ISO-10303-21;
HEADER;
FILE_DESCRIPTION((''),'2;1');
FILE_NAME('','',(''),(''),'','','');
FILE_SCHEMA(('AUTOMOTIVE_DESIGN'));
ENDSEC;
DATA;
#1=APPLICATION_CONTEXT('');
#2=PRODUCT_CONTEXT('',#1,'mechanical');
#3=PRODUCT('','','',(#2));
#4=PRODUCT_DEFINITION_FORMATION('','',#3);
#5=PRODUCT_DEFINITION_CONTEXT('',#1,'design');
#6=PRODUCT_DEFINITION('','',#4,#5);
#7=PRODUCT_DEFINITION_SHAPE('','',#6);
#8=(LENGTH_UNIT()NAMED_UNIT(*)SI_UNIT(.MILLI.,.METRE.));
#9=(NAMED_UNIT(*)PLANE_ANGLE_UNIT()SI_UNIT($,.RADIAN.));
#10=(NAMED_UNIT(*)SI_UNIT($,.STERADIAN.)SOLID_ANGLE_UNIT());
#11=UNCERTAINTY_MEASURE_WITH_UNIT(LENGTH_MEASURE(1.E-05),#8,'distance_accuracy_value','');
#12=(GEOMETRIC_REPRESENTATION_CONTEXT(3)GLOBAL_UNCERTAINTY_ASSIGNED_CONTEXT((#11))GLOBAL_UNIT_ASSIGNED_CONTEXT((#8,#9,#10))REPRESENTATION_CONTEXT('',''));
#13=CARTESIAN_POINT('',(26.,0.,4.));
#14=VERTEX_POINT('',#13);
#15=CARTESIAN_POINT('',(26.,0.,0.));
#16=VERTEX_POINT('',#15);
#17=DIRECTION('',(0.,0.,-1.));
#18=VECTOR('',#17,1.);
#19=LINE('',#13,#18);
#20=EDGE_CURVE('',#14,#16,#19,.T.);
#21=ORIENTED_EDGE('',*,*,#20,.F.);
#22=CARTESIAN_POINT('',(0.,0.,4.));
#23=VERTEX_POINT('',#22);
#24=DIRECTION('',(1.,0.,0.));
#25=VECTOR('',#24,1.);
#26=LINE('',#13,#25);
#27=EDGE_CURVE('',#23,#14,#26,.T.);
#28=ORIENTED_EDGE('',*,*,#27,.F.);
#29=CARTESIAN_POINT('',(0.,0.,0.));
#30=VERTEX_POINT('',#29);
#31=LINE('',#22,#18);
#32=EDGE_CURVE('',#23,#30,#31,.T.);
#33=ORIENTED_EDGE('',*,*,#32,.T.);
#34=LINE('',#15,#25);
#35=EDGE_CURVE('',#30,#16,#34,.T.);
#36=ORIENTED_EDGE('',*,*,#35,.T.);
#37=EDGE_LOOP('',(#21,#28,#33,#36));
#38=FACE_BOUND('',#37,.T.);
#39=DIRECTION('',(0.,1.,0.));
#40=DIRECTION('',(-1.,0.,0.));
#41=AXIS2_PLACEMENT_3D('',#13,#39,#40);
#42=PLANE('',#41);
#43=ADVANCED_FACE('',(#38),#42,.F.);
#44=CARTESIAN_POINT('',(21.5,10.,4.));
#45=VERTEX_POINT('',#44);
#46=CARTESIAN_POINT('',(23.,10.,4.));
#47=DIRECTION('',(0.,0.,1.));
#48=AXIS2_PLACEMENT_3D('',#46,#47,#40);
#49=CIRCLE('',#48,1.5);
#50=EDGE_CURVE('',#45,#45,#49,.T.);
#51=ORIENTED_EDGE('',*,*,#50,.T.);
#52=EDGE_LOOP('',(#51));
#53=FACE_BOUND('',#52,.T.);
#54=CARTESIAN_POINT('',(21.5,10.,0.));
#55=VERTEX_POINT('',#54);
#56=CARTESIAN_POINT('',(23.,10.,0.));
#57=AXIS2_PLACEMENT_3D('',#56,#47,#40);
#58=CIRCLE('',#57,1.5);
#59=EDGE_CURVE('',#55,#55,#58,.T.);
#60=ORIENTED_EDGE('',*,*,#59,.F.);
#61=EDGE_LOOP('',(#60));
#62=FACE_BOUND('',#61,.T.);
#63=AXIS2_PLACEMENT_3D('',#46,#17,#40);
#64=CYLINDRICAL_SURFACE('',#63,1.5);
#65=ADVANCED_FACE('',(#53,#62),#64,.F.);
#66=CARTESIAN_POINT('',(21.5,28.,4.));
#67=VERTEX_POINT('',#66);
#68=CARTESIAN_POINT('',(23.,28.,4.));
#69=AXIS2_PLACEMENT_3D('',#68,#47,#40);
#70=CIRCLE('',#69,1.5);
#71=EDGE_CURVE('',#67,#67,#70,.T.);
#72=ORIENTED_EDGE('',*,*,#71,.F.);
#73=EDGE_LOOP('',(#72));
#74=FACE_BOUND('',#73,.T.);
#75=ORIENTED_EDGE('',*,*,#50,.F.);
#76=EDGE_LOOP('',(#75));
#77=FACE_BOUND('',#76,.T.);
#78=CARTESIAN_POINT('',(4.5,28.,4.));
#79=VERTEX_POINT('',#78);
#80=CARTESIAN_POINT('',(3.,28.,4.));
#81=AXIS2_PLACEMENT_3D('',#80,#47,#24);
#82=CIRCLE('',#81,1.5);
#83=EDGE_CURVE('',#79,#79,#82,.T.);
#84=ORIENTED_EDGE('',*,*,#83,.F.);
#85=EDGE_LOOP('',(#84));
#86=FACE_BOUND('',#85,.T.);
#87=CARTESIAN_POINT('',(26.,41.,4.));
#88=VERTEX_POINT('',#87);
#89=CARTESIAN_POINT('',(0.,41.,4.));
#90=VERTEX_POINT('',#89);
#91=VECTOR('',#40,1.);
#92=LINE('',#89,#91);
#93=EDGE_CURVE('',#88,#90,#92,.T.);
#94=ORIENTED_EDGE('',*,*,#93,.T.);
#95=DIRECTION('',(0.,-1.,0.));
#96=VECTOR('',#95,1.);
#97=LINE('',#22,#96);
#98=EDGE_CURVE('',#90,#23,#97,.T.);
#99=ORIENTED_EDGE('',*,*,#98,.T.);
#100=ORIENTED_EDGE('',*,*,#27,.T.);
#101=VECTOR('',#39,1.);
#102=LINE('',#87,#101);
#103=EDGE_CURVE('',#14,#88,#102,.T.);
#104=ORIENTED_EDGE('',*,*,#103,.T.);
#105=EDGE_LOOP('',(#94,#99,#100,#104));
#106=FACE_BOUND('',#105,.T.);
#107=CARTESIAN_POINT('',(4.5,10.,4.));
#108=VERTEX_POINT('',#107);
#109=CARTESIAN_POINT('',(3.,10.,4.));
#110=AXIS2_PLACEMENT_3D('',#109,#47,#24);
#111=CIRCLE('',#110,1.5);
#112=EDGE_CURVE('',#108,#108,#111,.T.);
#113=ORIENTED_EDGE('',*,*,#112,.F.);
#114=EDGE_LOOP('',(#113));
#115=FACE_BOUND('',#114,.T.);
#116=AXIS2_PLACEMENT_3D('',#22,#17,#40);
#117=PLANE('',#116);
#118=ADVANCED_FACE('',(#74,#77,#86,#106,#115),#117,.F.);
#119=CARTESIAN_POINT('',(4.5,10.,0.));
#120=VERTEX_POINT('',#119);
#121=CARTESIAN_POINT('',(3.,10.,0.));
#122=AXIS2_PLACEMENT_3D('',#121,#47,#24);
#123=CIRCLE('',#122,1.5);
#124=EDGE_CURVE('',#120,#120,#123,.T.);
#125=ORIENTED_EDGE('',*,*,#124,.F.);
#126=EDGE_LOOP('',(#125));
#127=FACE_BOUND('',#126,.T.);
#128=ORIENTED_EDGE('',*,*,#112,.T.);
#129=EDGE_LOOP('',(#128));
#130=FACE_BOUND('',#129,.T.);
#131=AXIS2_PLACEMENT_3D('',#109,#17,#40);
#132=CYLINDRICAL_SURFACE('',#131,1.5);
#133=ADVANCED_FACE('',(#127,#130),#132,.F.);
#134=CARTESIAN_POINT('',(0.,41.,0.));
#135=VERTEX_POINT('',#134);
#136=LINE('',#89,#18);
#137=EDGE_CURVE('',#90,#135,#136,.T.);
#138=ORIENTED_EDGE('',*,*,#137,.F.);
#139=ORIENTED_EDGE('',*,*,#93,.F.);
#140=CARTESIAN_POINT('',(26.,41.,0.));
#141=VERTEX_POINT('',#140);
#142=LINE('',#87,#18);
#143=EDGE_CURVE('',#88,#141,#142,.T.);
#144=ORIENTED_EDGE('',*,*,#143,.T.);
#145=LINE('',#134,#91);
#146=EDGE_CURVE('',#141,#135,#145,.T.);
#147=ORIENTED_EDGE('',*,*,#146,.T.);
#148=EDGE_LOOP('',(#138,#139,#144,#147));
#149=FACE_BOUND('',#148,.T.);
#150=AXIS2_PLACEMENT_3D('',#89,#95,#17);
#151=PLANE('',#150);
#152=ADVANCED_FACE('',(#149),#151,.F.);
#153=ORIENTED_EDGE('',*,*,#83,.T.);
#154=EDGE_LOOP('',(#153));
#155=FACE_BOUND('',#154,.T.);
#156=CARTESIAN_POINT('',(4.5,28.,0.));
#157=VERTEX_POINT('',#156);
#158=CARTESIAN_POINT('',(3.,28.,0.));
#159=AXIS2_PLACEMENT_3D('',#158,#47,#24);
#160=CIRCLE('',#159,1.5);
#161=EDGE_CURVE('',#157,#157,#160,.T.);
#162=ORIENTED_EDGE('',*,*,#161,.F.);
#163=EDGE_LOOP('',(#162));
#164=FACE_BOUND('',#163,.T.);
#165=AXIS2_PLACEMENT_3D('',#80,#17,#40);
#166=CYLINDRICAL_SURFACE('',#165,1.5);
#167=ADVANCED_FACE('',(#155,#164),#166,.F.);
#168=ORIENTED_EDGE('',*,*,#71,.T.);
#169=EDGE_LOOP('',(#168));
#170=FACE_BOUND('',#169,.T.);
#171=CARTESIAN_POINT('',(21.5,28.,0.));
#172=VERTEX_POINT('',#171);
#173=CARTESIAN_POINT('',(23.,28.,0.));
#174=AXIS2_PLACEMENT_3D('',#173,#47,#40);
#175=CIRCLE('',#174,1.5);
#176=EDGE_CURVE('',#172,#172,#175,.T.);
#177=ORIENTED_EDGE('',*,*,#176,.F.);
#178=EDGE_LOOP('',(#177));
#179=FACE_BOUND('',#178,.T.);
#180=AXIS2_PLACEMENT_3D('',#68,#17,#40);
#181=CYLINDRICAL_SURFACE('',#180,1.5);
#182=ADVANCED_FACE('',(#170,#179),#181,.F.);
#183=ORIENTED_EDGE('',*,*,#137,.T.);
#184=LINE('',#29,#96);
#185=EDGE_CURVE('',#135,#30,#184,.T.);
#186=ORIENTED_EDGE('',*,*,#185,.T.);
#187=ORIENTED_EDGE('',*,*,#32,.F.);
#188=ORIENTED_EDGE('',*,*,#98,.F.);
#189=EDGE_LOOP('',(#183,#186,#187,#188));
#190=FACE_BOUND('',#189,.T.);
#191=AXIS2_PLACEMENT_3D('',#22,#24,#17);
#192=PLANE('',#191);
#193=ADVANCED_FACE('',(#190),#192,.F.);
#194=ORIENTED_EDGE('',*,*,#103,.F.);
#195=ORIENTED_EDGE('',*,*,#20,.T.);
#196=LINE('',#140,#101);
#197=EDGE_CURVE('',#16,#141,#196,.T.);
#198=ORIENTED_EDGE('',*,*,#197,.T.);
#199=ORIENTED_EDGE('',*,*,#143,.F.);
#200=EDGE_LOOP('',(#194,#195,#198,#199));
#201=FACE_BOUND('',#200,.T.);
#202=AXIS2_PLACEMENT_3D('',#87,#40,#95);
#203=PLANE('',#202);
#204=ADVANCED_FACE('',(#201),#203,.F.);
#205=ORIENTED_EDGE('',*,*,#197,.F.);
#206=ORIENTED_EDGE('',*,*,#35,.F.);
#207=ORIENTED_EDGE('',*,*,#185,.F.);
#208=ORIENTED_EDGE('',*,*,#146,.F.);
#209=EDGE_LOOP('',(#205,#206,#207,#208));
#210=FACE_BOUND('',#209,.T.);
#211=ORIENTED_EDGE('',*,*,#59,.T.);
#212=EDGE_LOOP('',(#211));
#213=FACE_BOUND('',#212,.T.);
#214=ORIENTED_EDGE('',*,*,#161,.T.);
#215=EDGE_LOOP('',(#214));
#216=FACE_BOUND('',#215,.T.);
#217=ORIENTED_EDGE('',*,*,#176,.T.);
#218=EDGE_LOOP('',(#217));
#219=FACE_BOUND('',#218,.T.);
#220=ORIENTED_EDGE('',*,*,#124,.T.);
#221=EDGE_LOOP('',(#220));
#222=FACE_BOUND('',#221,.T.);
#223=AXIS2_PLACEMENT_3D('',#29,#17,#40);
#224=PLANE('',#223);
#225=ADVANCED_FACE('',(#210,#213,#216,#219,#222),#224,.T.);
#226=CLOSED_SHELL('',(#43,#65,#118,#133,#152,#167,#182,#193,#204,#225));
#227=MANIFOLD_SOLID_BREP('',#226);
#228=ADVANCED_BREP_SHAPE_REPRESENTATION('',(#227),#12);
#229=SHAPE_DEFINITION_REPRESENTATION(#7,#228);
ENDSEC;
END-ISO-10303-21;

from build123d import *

# Parameters (mm, degrees)
SKETCH1_W           = 26
SKETCH1_H           = 41
SKETCH1_R           = 1.5
BOSS_EXTRUDE1_DEPTH = 4


with BuildPart() as part:
    # Sketch1 → Boss-Extrude1 (new body)
    with BuildSketch(Plane.XY):
        with Locations((13, 20.5)):
            Rectangle(SKETCH1_W, SKETCH1_H)
        with Locations((3, 28)):
            Circle(SKETCH1_R, mode=Mode.SUBTRACT)
        with Locations((3, 10)):
            Circle(SKETCH1_R, mode=Mode.SUBTRACT)
        with Locations(Location((23, 10, 0), (0, 0, 180))):
            Circle(SKETCH1_R, mode=Mode.SUBTRACT)
        with Locations(Location((23, 28, 0), (0, 0, 180))):
            Circle(SKETCH1_R, mode=Mode.SUBTRACT)
    extrude(amount=BOSS_EXTRUDE1_DEPTH)


solid = part.part
